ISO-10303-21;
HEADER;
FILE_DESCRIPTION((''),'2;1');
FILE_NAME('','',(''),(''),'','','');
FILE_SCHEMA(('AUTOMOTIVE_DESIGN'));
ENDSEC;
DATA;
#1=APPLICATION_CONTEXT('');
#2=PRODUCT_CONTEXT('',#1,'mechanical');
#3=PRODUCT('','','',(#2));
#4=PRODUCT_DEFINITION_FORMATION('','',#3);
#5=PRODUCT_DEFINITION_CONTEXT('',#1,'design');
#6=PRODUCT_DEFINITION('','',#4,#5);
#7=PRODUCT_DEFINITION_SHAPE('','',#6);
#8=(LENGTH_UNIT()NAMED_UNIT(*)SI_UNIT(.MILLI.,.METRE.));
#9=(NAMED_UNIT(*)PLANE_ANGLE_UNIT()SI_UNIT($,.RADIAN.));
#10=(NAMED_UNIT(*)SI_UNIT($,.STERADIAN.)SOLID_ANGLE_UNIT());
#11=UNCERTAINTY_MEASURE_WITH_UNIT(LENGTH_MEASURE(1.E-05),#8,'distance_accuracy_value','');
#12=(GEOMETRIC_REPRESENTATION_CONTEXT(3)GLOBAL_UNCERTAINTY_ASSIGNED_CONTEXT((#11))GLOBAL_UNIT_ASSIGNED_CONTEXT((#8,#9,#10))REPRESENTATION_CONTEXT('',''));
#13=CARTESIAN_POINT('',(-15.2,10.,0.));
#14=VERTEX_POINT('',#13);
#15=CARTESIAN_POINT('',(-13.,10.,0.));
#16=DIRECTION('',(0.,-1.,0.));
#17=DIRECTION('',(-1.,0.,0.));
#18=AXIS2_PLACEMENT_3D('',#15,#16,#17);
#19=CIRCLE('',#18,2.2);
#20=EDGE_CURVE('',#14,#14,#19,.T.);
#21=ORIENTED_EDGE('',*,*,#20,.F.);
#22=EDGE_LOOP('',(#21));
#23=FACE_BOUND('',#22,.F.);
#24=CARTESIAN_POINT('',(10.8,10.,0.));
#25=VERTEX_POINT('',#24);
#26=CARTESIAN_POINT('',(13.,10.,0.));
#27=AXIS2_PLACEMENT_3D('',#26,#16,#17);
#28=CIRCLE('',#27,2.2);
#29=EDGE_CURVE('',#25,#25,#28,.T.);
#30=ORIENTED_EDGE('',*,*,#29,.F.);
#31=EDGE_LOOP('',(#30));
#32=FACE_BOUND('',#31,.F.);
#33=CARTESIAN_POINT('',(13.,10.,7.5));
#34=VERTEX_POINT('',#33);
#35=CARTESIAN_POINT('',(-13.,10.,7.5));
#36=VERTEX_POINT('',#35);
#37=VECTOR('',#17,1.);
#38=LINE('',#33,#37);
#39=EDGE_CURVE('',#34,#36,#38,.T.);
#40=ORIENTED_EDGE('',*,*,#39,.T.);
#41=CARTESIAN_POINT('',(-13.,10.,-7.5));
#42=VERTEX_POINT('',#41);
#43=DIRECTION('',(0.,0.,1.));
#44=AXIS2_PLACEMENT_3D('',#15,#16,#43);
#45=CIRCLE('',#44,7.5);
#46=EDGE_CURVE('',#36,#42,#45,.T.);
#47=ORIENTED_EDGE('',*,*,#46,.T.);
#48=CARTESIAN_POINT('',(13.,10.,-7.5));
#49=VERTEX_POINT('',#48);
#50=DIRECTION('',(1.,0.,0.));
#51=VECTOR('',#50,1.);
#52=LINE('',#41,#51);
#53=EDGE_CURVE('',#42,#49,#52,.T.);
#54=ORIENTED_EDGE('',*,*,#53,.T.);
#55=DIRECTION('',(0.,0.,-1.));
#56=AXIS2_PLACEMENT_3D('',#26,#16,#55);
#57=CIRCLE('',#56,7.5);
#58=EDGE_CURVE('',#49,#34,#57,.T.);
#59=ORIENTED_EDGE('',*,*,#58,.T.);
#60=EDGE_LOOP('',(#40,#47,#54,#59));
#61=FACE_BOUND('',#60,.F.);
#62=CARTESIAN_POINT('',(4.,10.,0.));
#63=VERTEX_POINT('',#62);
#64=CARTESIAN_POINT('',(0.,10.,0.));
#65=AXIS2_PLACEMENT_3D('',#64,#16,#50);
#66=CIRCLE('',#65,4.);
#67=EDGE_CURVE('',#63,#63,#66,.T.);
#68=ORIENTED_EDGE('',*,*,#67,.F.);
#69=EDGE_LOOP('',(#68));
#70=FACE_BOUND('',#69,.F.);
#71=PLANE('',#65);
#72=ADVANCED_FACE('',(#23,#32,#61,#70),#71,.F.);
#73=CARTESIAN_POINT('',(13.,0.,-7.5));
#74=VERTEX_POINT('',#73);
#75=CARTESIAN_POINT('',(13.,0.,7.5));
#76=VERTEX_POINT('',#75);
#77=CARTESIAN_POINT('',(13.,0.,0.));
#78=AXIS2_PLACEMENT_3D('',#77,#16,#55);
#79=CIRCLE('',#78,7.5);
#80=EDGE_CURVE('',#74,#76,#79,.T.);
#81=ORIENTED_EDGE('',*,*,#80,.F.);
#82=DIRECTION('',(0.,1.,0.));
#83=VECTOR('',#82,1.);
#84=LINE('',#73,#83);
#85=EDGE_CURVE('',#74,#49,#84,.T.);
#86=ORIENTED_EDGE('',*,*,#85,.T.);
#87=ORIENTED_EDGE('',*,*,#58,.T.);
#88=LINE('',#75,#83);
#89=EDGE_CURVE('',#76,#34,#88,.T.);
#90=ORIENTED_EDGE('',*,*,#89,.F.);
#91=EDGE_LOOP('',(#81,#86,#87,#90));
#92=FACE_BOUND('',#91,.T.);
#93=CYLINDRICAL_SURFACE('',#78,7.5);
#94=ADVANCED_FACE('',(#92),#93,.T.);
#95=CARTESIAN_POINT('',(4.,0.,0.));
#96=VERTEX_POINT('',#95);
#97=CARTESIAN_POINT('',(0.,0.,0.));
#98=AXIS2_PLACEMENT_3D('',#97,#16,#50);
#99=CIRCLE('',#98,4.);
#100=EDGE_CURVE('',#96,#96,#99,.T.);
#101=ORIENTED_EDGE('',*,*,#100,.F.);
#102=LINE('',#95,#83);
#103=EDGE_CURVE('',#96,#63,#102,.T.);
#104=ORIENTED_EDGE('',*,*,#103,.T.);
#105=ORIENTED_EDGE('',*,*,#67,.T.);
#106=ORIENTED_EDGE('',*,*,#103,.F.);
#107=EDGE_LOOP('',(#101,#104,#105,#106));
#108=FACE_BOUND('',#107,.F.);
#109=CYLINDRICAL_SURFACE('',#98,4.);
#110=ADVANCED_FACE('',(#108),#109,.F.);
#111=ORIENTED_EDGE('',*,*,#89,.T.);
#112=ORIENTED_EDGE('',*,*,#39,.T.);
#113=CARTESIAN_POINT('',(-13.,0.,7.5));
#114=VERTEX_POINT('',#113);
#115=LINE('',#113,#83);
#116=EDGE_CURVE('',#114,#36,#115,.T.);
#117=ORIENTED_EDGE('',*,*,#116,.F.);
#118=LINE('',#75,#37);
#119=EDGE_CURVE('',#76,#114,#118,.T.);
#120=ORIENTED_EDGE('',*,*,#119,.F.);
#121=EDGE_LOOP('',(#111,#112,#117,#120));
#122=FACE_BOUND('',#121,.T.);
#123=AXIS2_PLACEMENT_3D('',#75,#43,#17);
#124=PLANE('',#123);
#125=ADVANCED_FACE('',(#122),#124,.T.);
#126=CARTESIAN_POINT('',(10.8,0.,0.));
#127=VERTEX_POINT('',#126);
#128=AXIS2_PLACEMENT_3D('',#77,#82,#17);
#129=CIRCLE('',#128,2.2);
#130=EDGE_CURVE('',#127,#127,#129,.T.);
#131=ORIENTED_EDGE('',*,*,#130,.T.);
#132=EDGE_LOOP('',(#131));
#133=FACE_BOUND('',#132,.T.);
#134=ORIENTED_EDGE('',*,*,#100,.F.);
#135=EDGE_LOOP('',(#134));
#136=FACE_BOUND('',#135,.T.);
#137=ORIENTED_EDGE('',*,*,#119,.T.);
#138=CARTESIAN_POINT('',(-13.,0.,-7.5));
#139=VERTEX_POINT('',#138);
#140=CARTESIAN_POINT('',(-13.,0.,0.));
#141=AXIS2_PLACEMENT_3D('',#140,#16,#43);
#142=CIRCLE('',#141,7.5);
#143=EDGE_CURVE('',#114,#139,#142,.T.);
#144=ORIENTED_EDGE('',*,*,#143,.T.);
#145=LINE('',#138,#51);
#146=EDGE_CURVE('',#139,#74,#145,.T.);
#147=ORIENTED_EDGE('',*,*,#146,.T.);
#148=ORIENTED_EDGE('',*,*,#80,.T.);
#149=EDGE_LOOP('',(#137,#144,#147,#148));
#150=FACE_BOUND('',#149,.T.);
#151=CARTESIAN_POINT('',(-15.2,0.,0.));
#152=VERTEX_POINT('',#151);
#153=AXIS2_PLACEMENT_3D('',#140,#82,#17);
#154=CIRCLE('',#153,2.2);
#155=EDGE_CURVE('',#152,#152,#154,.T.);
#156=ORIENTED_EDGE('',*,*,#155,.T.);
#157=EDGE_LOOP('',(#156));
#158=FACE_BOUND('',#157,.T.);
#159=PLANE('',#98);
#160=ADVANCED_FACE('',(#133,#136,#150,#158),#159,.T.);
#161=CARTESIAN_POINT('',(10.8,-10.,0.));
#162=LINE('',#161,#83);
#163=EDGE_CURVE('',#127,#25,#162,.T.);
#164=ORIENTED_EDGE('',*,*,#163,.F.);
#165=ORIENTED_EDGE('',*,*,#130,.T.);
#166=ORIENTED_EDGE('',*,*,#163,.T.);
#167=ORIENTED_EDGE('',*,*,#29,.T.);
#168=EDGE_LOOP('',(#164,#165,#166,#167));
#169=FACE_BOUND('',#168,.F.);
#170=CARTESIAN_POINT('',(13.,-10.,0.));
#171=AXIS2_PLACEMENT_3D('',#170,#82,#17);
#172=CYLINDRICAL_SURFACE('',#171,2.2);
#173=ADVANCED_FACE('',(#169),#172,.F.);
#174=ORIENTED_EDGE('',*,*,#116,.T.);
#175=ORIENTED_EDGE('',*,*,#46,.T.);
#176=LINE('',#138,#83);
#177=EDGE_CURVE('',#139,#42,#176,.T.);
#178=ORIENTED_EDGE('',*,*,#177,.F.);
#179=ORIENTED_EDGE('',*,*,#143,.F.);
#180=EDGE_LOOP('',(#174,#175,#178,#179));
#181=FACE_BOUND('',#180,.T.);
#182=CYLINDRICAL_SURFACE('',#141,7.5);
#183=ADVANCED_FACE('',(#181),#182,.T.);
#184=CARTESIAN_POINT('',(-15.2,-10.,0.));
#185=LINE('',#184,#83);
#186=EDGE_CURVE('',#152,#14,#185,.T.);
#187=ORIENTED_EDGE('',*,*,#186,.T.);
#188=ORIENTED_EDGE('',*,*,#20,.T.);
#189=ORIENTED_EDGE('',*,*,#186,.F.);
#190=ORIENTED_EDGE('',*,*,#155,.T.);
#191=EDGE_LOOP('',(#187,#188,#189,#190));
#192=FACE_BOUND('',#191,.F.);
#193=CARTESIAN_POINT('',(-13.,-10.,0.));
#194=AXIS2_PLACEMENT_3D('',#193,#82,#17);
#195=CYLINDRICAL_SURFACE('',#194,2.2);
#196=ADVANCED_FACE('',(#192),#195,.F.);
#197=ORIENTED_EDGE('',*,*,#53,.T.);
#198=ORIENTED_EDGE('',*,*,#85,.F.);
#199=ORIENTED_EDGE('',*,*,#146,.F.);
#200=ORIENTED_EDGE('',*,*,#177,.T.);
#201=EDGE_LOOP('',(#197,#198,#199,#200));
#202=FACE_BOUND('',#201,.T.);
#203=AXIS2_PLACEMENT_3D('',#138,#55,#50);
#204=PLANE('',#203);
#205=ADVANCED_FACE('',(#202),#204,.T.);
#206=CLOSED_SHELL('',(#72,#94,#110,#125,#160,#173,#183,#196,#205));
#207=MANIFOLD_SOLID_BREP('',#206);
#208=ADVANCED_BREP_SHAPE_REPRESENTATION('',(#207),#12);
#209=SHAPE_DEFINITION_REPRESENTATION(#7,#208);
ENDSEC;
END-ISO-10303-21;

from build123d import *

# Parameters (mm, degrees)
F0_R     = 4
F1_DEPTH = 10
F2_D     = 4.4
F2_DEPTH = 10
F2_TIP   = 1.3218933619


with BuildPart() as f1:
    # F0 (on Front) → F1 (new body)
    with BuildSketch(Plane.XZ):
        with BuildLine():
            Line((-13, -7.5), (13, -7.5))
            ThreePointArc((13, -7.5), (20.5, 0), (13, 7.5))
            Line((13, 7.5), (-13, 7.5))
            ThreePointArc((-13, 7.5), (-20.5, 0), (-13, -7.5))
        make_face()
        Circle(F0_R, mode=Mode.SUBTRACT)
    extrude(amount=-F1_DEPTH)

    # F2
    with Locations(Plane.XZ):
        with Locations((-13, 0), (13, 0)):
            Hole(F2_D / 2, depth=F2_DEPTH)
            with Locations((0, 0, -(F2_DEPTH + F2_TIP / 2))):  # 118° drill point
                Cone(0, F2_D / 2, F2_TIP, mode=Mode.SUBTRACT)


solid = f1.part
